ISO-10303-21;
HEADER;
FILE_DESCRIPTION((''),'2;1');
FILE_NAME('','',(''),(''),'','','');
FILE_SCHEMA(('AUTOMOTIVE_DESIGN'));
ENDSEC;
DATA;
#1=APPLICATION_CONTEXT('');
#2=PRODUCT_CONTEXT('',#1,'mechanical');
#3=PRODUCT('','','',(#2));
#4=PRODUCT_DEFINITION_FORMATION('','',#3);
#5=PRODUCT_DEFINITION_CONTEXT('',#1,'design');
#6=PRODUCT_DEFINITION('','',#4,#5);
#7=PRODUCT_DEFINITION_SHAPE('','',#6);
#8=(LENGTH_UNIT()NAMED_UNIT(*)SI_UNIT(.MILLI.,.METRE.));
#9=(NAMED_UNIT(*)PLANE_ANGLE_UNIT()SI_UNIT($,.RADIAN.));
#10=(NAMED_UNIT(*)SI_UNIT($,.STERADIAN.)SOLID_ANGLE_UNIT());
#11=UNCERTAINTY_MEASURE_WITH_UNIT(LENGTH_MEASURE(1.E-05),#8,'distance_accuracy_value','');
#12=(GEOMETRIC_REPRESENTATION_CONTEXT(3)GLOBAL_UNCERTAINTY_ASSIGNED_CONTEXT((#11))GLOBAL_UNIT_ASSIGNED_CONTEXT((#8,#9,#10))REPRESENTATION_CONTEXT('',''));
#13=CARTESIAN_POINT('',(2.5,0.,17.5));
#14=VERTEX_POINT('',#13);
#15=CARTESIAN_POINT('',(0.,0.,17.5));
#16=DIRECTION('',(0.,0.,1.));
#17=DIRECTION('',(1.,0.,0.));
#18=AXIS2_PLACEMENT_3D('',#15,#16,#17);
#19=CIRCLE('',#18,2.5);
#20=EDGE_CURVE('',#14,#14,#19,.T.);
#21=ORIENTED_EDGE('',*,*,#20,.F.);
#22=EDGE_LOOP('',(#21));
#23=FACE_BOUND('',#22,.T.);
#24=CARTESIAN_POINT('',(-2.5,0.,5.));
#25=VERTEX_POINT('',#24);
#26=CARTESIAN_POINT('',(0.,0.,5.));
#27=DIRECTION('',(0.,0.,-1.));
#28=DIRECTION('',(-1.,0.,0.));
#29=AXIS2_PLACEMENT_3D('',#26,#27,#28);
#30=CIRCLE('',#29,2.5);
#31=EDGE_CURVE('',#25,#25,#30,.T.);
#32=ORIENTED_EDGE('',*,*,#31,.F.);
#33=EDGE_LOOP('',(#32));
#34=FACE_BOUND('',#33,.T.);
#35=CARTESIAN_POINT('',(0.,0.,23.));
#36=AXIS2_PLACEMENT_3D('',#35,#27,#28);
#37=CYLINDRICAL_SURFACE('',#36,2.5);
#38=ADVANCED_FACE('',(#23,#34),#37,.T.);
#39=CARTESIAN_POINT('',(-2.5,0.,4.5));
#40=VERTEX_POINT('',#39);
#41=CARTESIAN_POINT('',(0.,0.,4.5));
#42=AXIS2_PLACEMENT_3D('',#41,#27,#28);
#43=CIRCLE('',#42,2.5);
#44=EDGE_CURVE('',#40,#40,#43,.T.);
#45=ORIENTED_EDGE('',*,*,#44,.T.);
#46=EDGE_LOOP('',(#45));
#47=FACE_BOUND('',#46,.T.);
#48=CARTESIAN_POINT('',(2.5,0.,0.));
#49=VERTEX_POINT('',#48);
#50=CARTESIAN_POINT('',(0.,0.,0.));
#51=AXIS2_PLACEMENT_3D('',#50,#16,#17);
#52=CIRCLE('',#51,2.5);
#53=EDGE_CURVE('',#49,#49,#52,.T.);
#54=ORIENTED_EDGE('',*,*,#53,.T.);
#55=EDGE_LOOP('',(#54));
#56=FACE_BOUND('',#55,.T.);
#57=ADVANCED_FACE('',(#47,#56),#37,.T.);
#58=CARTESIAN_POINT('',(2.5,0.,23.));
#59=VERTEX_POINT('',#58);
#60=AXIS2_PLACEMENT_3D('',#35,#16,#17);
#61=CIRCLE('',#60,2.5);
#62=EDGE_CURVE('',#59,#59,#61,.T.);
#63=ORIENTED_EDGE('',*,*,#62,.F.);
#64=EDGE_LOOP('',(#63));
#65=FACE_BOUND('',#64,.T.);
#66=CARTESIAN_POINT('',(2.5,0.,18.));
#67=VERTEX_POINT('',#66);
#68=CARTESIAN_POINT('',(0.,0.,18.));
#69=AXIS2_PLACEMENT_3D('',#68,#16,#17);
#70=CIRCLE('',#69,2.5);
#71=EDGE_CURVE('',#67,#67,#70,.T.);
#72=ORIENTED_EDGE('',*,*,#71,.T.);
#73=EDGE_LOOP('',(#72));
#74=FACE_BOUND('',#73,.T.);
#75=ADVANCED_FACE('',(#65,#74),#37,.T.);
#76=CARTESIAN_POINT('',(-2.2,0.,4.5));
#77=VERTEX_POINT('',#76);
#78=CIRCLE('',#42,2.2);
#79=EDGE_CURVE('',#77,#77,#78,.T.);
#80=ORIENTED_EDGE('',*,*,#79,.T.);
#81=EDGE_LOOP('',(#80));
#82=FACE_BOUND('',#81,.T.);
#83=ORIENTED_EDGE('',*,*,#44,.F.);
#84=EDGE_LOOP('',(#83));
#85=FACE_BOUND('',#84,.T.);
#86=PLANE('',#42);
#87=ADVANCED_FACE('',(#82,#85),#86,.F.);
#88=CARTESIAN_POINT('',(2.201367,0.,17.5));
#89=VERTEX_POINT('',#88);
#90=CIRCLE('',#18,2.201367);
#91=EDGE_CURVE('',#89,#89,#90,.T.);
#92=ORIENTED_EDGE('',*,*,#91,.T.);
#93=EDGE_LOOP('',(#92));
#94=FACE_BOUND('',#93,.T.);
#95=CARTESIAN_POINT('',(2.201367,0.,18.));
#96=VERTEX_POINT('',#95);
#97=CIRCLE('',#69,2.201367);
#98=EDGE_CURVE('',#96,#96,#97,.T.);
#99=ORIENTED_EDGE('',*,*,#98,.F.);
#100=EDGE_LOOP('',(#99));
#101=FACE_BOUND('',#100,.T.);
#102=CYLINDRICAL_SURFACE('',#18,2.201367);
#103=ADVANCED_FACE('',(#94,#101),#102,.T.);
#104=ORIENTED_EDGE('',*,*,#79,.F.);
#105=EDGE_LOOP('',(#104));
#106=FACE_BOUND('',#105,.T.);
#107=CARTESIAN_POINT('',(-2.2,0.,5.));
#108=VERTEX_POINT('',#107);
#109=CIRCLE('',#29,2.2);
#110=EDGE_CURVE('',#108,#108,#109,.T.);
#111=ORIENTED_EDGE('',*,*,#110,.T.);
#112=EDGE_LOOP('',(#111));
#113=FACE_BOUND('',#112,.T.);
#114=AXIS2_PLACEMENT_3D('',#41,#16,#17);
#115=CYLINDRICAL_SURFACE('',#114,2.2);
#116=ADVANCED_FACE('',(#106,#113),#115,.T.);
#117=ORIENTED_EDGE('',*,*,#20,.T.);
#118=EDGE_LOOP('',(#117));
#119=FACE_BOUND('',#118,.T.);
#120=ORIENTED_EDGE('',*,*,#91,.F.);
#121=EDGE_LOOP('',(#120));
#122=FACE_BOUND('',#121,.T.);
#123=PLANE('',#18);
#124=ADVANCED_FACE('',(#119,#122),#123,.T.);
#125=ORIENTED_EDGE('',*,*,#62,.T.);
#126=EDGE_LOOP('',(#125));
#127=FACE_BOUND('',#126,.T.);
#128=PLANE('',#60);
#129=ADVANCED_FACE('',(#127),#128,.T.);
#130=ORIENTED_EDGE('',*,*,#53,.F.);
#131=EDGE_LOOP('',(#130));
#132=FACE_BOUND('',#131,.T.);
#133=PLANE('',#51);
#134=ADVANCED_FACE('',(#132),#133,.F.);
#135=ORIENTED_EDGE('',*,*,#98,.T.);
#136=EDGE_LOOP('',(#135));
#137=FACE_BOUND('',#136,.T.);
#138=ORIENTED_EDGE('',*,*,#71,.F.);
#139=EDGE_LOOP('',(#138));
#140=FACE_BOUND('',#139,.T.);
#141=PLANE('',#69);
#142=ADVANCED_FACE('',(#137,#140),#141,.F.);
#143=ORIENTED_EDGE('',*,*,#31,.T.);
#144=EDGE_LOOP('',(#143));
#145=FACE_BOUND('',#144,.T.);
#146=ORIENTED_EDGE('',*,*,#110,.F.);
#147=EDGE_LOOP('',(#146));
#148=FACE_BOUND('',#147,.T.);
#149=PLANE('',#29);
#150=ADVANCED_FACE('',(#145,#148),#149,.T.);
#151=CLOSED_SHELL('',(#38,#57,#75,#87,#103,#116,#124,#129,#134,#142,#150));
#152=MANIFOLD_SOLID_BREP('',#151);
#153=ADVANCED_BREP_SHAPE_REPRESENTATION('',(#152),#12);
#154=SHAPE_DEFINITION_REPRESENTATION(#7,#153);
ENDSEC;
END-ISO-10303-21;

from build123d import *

# Parameters (mm, degrees)
SKETCH1_R                  = 2.5
BOSS_EXTRUDE1_DEPTH        = 23
WYTNIJ_WYCI_GNI_CIE1_START = -5
SZKIC1_R                   = 2.5
SZKIC1_R_2                 = 2.201367386
WYTNIJ_WYCI_GNI_CIE1_DEPTH = 0.5
WYTNIJ_WYCI_GNI_CIE2_START = -5
SZKIC2_R                   = 2.5
SZKIC2_R_2                 = 2.2
WYTNIJ_WYCI_GNI_CIE2_DEPTH = 0.5


with BuildPart() as part:
    # Sketch1 → Boss-Extrude1 (new body)
    with BuildSketch(Plane.XY):
        Circle(SKETCH1_R)
    extrude(amount=BOSS_EXTRUDE1_DEPTH)

    # Szkic1 → Wytnij-wyciągnięcie1 (cut)
    with BuildSketch(Plane.XY.offset(23).offset(WYTNIJ_WYCI_GNI_CIE1_START)):
        Circle(SZKIC1_R)
        Circle(SZKIC1_R_2, mode=Mode.SUBTRACT)
    extrude(amount=-WYTNIJ_WYCI_GNI_CIE1_DEPTH, mode=Mode.SUBTRACT)

    # Szkic2 → Wytnij-wyciągnięcie2 (cut)
    with BuildSketch(Plane(origin=(0, 0, 0), x_dir=(-1, 0, 0), z_dir=(0, 0, -1)).offset(WYTNIJ_WYCI_GNI_CIE2_START)):
        Circle(SZKIC2_R)
        Circle(SZKIC2_R_2, mode=Mode.SUBTRACT)
    extrude(amount=WYTNIJ_WYCI_GNI_CIE2_DEPTH, mode=Mode.SUBTRACT)


solid = part.part
